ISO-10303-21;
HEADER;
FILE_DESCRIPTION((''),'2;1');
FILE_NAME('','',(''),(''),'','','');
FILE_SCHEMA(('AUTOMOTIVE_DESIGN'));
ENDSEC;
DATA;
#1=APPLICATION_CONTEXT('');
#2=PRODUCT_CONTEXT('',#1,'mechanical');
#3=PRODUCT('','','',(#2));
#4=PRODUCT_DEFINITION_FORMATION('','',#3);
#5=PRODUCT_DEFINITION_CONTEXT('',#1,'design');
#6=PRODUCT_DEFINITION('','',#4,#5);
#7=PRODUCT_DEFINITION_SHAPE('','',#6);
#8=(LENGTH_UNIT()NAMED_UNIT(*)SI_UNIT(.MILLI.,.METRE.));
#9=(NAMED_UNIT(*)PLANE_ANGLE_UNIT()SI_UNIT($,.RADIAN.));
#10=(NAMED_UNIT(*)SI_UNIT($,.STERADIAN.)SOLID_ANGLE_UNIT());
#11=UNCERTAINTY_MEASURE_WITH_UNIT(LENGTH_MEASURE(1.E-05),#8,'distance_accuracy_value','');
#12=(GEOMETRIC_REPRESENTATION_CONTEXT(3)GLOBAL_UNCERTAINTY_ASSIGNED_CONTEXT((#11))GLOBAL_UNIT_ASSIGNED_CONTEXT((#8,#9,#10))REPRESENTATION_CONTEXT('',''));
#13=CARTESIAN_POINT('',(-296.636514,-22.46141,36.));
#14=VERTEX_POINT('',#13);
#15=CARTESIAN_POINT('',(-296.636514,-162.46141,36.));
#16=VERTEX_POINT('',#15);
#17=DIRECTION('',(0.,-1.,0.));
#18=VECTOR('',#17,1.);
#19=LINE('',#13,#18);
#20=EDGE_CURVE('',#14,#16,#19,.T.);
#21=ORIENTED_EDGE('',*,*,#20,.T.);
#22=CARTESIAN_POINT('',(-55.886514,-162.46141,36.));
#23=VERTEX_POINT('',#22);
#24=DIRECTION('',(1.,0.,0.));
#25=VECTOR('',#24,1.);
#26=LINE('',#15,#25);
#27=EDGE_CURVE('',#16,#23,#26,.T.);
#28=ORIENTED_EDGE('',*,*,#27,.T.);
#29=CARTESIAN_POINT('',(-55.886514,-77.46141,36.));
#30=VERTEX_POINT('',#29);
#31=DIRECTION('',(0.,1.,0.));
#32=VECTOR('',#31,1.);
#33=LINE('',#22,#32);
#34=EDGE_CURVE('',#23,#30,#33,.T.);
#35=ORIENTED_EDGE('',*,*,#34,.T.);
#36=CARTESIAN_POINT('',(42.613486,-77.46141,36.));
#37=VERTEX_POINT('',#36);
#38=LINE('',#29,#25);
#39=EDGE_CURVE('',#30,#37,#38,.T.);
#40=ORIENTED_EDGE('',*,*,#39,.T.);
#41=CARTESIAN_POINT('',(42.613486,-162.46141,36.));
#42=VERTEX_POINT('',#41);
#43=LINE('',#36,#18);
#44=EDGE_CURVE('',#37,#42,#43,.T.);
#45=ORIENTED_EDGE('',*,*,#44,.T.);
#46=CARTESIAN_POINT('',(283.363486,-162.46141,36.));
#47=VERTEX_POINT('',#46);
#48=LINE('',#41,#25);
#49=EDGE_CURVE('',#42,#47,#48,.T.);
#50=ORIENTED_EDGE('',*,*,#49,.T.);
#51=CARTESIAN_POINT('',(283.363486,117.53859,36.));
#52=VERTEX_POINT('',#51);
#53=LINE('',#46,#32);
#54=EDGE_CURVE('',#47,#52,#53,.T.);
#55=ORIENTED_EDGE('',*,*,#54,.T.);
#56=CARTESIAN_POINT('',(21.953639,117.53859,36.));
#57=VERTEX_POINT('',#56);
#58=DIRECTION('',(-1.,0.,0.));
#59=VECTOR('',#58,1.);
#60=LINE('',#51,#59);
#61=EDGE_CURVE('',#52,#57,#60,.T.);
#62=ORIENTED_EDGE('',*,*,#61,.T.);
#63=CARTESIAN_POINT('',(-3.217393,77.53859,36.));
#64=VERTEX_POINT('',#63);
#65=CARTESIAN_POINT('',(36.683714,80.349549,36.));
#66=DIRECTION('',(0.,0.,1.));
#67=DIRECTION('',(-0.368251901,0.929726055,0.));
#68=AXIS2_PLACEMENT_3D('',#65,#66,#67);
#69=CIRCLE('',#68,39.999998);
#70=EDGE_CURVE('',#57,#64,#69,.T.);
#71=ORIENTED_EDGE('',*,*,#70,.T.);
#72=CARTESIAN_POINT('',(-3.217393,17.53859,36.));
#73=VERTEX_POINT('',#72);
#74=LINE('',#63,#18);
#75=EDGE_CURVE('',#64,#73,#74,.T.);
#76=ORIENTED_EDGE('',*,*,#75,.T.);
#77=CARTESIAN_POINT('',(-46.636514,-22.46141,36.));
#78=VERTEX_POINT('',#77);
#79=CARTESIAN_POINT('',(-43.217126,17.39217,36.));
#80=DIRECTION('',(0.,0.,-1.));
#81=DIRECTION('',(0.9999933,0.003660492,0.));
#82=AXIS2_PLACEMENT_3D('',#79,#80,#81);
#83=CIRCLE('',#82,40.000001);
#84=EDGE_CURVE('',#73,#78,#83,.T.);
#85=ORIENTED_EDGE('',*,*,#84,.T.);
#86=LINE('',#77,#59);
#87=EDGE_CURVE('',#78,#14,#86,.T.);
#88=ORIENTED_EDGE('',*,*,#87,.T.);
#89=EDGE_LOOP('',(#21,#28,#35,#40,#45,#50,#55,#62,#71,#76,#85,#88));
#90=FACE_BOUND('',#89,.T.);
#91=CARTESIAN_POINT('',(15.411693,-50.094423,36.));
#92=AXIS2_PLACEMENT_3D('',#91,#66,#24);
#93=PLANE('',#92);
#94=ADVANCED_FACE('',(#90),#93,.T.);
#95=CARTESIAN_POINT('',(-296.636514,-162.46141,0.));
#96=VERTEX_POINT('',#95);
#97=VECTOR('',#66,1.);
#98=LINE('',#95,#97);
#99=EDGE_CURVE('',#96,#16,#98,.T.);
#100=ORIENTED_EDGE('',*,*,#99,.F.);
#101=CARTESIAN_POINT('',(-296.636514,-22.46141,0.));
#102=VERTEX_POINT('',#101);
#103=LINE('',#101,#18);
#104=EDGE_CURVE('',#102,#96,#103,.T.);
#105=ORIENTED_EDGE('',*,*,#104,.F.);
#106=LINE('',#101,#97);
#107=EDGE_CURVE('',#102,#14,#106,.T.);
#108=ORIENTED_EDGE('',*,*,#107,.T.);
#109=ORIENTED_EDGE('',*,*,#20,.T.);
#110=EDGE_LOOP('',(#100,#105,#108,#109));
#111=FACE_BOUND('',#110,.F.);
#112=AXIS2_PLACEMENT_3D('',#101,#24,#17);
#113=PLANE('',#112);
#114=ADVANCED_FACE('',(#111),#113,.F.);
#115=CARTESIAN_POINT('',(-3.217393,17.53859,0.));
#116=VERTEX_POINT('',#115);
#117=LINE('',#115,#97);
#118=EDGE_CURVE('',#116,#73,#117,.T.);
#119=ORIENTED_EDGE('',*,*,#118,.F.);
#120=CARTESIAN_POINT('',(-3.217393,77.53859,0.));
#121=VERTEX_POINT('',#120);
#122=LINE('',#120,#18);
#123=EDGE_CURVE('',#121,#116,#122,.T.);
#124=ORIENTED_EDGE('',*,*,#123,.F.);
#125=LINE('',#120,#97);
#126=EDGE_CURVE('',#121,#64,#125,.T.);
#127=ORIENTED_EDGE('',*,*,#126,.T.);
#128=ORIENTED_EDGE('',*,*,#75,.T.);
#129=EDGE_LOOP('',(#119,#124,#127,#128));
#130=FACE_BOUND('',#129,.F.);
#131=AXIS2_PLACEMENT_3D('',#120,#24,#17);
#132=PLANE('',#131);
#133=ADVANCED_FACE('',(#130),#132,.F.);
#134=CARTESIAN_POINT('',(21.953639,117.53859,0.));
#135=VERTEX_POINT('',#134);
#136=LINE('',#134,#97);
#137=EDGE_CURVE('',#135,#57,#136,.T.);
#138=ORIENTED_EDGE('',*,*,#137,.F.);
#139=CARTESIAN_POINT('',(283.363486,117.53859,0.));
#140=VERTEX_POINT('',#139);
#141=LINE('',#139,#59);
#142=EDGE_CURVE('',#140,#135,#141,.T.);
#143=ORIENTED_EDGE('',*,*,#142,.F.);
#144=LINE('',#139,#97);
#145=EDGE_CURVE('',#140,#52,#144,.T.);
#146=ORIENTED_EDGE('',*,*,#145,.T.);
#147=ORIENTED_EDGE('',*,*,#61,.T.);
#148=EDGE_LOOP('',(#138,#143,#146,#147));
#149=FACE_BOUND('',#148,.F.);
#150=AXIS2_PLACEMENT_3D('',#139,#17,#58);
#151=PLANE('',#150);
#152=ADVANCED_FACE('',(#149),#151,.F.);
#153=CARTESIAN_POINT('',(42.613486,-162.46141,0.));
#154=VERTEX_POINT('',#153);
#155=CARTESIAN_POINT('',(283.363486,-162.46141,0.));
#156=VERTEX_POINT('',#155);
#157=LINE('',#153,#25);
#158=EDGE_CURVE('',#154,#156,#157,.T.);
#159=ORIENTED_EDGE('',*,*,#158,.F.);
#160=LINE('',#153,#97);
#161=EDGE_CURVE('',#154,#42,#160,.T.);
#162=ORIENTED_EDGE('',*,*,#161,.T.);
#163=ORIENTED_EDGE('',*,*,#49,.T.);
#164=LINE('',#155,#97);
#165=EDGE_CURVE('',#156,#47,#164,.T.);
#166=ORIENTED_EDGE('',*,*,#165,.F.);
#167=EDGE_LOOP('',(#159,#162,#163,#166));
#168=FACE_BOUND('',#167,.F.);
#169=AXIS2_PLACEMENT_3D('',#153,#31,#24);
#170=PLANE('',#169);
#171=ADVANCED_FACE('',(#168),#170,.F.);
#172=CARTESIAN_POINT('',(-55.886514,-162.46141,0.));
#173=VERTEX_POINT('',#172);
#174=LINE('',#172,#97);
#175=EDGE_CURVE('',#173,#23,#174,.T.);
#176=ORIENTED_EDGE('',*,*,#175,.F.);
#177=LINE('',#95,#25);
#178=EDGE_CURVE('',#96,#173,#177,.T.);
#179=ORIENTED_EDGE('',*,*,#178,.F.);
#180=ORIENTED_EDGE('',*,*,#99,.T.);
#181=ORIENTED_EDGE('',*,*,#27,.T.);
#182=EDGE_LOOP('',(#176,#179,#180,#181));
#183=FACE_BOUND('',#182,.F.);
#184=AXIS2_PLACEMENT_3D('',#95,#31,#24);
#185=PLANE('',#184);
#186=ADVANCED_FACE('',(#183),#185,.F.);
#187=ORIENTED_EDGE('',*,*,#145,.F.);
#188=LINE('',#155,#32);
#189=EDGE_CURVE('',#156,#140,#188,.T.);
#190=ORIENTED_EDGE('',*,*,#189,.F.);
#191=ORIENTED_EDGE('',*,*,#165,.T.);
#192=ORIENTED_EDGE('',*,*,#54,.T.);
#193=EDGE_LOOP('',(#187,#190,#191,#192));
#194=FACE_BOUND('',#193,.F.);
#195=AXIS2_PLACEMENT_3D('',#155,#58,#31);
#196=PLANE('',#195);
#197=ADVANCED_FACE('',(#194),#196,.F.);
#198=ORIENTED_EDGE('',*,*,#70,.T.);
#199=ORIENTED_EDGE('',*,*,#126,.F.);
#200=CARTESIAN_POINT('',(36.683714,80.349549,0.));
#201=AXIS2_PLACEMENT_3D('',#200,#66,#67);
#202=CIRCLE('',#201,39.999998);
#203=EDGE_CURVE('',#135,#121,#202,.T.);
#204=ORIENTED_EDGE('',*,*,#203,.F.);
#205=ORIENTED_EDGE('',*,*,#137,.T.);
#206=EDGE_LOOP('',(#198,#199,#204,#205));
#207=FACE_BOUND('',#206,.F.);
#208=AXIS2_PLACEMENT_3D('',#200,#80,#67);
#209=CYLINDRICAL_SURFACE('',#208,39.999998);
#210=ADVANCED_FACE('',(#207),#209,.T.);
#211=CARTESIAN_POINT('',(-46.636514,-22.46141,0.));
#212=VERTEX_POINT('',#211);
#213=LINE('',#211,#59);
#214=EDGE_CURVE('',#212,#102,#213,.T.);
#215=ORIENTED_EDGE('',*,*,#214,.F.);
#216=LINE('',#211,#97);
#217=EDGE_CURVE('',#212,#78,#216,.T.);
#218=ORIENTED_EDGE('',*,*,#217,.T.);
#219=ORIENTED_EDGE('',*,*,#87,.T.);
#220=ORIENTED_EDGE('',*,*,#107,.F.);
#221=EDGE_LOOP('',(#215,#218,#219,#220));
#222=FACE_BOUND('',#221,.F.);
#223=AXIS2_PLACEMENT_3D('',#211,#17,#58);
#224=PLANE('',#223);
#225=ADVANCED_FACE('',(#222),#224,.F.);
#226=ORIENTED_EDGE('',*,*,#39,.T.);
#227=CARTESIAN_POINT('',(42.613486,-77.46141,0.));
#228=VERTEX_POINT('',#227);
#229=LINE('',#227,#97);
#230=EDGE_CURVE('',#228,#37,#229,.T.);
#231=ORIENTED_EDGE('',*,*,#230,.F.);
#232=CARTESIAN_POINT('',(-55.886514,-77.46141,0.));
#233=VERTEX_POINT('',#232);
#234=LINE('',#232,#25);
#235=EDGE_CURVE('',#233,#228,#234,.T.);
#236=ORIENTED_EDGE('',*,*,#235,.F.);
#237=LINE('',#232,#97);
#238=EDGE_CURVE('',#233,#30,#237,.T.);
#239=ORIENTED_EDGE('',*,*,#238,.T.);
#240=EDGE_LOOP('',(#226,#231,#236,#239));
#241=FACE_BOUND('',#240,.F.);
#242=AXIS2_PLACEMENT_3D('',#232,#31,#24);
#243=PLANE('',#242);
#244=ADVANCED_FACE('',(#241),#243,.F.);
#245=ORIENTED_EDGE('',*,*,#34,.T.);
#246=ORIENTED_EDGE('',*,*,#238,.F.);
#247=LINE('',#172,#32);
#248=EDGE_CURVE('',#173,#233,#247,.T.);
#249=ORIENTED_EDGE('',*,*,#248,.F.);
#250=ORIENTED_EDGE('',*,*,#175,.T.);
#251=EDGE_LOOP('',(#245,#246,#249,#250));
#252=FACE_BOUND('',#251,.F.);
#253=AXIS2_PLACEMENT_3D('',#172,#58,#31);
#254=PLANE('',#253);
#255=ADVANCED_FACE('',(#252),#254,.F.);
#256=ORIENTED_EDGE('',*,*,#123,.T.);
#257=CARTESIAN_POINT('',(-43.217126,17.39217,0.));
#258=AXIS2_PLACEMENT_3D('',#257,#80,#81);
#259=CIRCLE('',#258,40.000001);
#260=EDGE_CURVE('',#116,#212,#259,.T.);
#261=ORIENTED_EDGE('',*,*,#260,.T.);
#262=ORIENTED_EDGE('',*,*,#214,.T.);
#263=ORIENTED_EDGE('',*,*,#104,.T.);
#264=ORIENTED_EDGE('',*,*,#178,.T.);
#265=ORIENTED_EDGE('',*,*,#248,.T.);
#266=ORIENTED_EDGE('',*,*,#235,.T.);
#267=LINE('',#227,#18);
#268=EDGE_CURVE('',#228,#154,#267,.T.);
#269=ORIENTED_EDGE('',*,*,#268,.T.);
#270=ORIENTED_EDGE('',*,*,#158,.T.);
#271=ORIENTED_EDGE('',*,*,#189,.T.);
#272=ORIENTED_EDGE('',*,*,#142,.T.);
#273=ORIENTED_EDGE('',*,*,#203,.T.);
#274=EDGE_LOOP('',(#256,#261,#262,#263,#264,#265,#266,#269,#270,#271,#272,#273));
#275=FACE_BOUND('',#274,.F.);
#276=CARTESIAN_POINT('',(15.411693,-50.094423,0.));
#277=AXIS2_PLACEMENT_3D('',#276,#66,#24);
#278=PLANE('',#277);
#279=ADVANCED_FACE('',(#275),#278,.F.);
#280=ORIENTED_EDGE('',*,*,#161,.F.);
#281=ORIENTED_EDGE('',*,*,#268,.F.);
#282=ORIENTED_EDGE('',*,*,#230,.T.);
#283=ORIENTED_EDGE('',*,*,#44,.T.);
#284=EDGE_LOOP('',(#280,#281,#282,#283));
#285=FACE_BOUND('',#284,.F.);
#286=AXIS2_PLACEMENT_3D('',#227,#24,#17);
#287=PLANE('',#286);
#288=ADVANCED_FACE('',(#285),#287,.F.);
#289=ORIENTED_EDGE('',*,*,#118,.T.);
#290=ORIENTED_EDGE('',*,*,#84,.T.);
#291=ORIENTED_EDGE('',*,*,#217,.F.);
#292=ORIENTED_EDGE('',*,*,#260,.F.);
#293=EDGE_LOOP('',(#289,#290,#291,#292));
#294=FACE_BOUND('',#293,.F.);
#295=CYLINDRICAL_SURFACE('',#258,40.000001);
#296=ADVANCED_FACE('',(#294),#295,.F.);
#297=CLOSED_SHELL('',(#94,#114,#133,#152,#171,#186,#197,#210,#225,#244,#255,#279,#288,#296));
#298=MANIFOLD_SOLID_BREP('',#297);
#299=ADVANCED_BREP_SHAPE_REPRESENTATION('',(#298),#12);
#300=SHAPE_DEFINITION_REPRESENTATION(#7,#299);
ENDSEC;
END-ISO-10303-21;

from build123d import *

# Parameters (mm, degrees)
F1_DEPTH = 36


with BuildPart() as f1:
    # F0 (on Top) → F1 (new body)
    with BuildSketch(Plane.XY):
        with BuildLine():
            Line((-296.636514, -22.46141), (-296.636514, -162.46141))
            Line((-296.636514, -162.46141), (-55.886514, -162.46141))
            Line((-55.886514, -162.46141), (-55.886514, -77.46141))
            Line((-55.886514, -77.46141), (42.613486, -77.46141))
            Line((42.613486, -77.46141), (42.613486, -162.46141))
            Line((42.613486, -162.46141), (283.363486, -162.46141))
            Line((283.363486, -162.46141), (283.363486, 117.53859))
            Line((283.363486, 117.53859), (21.953639, 117.53859))
            ThreePointArc((21.953639, 117.53859), (2.829002, 101.6535), (-3.217393, 77.53859))
            Line((-3.217393, 77.53859), (-3.217393, 17.53859))
            ThreePointArc((-3.217393, 17.53859), (-16.114905, -12.026696), (-46.636514, -22.46141))
            Line((-46.636514, -22.46141), (-296.636514, -22.46141))
        make_face()
    extrude(amount=F1_DEPTH)


solid = f1.part
